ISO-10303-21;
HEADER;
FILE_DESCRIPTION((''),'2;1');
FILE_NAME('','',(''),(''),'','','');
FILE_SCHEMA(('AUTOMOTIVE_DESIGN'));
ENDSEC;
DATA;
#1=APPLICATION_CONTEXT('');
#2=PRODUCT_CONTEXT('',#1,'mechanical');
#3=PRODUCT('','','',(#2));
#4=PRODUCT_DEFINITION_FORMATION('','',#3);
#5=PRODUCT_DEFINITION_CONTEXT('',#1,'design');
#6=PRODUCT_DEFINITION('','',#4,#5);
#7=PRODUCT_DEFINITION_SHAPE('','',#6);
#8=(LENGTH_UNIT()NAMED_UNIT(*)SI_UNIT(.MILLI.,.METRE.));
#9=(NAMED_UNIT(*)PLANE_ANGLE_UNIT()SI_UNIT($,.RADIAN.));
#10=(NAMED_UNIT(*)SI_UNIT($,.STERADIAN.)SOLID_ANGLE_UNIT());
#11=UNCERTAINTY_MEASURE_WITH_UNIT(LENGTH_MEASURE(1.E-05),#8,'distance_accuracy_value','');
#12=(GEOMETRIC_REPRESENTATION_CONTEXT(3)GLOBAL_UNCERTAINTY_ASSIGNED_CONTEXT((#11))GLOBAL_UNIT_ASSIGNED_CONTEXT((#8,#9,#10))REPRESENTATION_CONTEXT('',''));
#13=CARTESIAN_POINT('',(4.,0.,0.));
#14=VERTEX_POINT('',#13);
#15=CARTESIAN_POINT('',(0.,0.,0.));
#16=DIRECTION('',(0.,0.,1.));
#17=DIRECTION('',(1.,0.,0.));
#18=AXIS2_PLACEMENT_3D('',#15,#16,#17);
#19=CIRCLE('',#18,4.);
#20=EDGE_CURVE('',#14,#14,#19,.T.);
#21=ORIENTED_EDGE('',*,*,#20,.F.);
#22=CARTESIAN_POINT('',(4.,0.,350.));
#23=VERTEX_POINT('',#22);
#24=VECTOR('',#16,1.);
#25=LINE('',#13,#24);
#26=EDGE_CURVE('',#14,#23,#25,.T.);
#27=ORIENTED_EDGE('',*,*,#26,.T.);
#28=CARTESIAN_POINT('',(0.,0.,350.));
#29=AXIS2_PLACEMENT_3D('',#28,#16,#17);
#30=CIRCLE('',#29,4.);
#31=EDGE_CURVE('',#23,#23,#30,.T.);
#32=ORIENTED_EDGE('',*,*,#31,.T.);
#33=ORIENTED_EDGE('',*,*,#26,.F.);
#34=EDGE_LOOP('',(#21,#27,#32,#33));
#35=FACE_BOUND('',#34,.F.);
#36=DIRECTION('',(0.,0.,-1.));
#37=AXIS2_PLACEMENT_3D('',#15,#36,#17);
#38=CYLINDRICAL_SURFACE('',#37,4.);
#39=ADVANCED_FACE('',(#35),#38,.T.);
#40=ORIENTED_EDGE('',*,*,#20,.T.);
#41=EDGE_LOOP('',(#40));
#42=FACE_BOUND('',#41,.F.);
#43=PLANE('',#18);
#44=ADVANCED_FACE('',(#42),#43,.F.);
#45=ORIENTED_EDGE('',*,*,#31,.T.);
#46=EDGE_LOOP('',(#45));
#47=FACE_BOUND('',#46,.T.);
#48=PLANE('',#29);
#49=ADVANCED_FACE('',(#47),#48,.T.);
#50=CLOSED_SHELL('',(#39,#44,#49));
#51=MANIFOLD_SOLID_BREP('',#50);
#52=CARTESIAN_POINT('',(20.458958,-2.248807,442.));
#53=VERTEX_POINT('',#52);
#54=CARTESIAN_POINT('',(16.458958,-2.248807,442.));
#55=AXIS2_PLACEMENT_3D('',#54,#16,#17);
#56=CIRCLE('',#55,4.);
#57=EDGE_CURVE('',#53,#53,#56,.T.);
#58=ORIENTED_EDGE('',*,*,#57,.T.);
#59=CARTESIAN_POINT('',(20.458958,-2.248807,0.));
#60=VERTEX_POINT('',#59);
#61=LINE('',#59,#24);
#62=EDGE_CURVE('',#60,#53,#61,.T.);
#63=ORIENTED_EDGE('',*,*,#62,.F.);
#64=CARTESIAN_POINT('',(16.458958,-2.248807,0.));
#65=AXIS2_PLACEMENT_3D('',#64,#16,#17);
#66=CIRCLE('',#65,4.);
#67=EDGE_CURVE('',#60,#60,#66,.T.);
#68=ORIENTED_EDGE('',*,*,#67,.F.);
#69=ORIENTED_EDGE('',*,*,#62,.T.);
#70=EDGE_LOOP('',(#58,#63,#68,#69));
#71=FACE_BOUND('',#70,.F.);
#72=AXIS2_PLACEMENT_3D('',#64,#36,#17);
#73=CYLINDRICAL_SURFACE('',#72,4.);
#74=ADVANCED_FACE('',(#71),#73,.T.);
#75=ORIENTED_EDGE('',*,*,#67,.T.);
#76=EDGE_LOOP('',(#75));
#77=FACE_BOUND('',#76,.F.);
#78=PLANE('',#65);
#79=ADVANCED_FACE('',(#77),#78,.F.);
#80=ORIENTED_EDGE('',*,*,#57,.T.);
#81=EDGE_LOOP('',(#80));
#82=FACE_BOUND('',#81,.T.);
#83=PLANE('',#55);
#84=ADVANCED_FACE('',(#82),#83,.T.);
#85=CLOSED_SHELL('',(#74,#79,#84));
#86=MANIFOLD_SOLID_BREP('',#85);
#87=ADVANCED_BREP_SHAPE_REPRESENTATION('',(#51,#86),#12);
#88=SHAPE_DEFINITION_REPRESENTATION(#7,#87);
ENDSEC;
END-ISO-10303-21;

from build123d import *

# Parameters (mm, degrees)
F0_R     = 4
F1_DEPTH = 350
F2_DEPTH = 442


with BuildPart() as f1:
    # F0 (on Top) → F1 (new body)
    with BuildSketch(Plane.XY):
        Circle(F0_R)
    extrude(amount=F1_DEPTH)


with BuildPart() as f2:
    # F0 (on Top) → F2 (new body)
    with BuildSketch(Plane.XY):
        with Locations((16.458958, -2.248807)):
            Circle(F0_R)
    extrude(amount=F2_DEPTH)


solid = Compound([f1.part, f2.part])
